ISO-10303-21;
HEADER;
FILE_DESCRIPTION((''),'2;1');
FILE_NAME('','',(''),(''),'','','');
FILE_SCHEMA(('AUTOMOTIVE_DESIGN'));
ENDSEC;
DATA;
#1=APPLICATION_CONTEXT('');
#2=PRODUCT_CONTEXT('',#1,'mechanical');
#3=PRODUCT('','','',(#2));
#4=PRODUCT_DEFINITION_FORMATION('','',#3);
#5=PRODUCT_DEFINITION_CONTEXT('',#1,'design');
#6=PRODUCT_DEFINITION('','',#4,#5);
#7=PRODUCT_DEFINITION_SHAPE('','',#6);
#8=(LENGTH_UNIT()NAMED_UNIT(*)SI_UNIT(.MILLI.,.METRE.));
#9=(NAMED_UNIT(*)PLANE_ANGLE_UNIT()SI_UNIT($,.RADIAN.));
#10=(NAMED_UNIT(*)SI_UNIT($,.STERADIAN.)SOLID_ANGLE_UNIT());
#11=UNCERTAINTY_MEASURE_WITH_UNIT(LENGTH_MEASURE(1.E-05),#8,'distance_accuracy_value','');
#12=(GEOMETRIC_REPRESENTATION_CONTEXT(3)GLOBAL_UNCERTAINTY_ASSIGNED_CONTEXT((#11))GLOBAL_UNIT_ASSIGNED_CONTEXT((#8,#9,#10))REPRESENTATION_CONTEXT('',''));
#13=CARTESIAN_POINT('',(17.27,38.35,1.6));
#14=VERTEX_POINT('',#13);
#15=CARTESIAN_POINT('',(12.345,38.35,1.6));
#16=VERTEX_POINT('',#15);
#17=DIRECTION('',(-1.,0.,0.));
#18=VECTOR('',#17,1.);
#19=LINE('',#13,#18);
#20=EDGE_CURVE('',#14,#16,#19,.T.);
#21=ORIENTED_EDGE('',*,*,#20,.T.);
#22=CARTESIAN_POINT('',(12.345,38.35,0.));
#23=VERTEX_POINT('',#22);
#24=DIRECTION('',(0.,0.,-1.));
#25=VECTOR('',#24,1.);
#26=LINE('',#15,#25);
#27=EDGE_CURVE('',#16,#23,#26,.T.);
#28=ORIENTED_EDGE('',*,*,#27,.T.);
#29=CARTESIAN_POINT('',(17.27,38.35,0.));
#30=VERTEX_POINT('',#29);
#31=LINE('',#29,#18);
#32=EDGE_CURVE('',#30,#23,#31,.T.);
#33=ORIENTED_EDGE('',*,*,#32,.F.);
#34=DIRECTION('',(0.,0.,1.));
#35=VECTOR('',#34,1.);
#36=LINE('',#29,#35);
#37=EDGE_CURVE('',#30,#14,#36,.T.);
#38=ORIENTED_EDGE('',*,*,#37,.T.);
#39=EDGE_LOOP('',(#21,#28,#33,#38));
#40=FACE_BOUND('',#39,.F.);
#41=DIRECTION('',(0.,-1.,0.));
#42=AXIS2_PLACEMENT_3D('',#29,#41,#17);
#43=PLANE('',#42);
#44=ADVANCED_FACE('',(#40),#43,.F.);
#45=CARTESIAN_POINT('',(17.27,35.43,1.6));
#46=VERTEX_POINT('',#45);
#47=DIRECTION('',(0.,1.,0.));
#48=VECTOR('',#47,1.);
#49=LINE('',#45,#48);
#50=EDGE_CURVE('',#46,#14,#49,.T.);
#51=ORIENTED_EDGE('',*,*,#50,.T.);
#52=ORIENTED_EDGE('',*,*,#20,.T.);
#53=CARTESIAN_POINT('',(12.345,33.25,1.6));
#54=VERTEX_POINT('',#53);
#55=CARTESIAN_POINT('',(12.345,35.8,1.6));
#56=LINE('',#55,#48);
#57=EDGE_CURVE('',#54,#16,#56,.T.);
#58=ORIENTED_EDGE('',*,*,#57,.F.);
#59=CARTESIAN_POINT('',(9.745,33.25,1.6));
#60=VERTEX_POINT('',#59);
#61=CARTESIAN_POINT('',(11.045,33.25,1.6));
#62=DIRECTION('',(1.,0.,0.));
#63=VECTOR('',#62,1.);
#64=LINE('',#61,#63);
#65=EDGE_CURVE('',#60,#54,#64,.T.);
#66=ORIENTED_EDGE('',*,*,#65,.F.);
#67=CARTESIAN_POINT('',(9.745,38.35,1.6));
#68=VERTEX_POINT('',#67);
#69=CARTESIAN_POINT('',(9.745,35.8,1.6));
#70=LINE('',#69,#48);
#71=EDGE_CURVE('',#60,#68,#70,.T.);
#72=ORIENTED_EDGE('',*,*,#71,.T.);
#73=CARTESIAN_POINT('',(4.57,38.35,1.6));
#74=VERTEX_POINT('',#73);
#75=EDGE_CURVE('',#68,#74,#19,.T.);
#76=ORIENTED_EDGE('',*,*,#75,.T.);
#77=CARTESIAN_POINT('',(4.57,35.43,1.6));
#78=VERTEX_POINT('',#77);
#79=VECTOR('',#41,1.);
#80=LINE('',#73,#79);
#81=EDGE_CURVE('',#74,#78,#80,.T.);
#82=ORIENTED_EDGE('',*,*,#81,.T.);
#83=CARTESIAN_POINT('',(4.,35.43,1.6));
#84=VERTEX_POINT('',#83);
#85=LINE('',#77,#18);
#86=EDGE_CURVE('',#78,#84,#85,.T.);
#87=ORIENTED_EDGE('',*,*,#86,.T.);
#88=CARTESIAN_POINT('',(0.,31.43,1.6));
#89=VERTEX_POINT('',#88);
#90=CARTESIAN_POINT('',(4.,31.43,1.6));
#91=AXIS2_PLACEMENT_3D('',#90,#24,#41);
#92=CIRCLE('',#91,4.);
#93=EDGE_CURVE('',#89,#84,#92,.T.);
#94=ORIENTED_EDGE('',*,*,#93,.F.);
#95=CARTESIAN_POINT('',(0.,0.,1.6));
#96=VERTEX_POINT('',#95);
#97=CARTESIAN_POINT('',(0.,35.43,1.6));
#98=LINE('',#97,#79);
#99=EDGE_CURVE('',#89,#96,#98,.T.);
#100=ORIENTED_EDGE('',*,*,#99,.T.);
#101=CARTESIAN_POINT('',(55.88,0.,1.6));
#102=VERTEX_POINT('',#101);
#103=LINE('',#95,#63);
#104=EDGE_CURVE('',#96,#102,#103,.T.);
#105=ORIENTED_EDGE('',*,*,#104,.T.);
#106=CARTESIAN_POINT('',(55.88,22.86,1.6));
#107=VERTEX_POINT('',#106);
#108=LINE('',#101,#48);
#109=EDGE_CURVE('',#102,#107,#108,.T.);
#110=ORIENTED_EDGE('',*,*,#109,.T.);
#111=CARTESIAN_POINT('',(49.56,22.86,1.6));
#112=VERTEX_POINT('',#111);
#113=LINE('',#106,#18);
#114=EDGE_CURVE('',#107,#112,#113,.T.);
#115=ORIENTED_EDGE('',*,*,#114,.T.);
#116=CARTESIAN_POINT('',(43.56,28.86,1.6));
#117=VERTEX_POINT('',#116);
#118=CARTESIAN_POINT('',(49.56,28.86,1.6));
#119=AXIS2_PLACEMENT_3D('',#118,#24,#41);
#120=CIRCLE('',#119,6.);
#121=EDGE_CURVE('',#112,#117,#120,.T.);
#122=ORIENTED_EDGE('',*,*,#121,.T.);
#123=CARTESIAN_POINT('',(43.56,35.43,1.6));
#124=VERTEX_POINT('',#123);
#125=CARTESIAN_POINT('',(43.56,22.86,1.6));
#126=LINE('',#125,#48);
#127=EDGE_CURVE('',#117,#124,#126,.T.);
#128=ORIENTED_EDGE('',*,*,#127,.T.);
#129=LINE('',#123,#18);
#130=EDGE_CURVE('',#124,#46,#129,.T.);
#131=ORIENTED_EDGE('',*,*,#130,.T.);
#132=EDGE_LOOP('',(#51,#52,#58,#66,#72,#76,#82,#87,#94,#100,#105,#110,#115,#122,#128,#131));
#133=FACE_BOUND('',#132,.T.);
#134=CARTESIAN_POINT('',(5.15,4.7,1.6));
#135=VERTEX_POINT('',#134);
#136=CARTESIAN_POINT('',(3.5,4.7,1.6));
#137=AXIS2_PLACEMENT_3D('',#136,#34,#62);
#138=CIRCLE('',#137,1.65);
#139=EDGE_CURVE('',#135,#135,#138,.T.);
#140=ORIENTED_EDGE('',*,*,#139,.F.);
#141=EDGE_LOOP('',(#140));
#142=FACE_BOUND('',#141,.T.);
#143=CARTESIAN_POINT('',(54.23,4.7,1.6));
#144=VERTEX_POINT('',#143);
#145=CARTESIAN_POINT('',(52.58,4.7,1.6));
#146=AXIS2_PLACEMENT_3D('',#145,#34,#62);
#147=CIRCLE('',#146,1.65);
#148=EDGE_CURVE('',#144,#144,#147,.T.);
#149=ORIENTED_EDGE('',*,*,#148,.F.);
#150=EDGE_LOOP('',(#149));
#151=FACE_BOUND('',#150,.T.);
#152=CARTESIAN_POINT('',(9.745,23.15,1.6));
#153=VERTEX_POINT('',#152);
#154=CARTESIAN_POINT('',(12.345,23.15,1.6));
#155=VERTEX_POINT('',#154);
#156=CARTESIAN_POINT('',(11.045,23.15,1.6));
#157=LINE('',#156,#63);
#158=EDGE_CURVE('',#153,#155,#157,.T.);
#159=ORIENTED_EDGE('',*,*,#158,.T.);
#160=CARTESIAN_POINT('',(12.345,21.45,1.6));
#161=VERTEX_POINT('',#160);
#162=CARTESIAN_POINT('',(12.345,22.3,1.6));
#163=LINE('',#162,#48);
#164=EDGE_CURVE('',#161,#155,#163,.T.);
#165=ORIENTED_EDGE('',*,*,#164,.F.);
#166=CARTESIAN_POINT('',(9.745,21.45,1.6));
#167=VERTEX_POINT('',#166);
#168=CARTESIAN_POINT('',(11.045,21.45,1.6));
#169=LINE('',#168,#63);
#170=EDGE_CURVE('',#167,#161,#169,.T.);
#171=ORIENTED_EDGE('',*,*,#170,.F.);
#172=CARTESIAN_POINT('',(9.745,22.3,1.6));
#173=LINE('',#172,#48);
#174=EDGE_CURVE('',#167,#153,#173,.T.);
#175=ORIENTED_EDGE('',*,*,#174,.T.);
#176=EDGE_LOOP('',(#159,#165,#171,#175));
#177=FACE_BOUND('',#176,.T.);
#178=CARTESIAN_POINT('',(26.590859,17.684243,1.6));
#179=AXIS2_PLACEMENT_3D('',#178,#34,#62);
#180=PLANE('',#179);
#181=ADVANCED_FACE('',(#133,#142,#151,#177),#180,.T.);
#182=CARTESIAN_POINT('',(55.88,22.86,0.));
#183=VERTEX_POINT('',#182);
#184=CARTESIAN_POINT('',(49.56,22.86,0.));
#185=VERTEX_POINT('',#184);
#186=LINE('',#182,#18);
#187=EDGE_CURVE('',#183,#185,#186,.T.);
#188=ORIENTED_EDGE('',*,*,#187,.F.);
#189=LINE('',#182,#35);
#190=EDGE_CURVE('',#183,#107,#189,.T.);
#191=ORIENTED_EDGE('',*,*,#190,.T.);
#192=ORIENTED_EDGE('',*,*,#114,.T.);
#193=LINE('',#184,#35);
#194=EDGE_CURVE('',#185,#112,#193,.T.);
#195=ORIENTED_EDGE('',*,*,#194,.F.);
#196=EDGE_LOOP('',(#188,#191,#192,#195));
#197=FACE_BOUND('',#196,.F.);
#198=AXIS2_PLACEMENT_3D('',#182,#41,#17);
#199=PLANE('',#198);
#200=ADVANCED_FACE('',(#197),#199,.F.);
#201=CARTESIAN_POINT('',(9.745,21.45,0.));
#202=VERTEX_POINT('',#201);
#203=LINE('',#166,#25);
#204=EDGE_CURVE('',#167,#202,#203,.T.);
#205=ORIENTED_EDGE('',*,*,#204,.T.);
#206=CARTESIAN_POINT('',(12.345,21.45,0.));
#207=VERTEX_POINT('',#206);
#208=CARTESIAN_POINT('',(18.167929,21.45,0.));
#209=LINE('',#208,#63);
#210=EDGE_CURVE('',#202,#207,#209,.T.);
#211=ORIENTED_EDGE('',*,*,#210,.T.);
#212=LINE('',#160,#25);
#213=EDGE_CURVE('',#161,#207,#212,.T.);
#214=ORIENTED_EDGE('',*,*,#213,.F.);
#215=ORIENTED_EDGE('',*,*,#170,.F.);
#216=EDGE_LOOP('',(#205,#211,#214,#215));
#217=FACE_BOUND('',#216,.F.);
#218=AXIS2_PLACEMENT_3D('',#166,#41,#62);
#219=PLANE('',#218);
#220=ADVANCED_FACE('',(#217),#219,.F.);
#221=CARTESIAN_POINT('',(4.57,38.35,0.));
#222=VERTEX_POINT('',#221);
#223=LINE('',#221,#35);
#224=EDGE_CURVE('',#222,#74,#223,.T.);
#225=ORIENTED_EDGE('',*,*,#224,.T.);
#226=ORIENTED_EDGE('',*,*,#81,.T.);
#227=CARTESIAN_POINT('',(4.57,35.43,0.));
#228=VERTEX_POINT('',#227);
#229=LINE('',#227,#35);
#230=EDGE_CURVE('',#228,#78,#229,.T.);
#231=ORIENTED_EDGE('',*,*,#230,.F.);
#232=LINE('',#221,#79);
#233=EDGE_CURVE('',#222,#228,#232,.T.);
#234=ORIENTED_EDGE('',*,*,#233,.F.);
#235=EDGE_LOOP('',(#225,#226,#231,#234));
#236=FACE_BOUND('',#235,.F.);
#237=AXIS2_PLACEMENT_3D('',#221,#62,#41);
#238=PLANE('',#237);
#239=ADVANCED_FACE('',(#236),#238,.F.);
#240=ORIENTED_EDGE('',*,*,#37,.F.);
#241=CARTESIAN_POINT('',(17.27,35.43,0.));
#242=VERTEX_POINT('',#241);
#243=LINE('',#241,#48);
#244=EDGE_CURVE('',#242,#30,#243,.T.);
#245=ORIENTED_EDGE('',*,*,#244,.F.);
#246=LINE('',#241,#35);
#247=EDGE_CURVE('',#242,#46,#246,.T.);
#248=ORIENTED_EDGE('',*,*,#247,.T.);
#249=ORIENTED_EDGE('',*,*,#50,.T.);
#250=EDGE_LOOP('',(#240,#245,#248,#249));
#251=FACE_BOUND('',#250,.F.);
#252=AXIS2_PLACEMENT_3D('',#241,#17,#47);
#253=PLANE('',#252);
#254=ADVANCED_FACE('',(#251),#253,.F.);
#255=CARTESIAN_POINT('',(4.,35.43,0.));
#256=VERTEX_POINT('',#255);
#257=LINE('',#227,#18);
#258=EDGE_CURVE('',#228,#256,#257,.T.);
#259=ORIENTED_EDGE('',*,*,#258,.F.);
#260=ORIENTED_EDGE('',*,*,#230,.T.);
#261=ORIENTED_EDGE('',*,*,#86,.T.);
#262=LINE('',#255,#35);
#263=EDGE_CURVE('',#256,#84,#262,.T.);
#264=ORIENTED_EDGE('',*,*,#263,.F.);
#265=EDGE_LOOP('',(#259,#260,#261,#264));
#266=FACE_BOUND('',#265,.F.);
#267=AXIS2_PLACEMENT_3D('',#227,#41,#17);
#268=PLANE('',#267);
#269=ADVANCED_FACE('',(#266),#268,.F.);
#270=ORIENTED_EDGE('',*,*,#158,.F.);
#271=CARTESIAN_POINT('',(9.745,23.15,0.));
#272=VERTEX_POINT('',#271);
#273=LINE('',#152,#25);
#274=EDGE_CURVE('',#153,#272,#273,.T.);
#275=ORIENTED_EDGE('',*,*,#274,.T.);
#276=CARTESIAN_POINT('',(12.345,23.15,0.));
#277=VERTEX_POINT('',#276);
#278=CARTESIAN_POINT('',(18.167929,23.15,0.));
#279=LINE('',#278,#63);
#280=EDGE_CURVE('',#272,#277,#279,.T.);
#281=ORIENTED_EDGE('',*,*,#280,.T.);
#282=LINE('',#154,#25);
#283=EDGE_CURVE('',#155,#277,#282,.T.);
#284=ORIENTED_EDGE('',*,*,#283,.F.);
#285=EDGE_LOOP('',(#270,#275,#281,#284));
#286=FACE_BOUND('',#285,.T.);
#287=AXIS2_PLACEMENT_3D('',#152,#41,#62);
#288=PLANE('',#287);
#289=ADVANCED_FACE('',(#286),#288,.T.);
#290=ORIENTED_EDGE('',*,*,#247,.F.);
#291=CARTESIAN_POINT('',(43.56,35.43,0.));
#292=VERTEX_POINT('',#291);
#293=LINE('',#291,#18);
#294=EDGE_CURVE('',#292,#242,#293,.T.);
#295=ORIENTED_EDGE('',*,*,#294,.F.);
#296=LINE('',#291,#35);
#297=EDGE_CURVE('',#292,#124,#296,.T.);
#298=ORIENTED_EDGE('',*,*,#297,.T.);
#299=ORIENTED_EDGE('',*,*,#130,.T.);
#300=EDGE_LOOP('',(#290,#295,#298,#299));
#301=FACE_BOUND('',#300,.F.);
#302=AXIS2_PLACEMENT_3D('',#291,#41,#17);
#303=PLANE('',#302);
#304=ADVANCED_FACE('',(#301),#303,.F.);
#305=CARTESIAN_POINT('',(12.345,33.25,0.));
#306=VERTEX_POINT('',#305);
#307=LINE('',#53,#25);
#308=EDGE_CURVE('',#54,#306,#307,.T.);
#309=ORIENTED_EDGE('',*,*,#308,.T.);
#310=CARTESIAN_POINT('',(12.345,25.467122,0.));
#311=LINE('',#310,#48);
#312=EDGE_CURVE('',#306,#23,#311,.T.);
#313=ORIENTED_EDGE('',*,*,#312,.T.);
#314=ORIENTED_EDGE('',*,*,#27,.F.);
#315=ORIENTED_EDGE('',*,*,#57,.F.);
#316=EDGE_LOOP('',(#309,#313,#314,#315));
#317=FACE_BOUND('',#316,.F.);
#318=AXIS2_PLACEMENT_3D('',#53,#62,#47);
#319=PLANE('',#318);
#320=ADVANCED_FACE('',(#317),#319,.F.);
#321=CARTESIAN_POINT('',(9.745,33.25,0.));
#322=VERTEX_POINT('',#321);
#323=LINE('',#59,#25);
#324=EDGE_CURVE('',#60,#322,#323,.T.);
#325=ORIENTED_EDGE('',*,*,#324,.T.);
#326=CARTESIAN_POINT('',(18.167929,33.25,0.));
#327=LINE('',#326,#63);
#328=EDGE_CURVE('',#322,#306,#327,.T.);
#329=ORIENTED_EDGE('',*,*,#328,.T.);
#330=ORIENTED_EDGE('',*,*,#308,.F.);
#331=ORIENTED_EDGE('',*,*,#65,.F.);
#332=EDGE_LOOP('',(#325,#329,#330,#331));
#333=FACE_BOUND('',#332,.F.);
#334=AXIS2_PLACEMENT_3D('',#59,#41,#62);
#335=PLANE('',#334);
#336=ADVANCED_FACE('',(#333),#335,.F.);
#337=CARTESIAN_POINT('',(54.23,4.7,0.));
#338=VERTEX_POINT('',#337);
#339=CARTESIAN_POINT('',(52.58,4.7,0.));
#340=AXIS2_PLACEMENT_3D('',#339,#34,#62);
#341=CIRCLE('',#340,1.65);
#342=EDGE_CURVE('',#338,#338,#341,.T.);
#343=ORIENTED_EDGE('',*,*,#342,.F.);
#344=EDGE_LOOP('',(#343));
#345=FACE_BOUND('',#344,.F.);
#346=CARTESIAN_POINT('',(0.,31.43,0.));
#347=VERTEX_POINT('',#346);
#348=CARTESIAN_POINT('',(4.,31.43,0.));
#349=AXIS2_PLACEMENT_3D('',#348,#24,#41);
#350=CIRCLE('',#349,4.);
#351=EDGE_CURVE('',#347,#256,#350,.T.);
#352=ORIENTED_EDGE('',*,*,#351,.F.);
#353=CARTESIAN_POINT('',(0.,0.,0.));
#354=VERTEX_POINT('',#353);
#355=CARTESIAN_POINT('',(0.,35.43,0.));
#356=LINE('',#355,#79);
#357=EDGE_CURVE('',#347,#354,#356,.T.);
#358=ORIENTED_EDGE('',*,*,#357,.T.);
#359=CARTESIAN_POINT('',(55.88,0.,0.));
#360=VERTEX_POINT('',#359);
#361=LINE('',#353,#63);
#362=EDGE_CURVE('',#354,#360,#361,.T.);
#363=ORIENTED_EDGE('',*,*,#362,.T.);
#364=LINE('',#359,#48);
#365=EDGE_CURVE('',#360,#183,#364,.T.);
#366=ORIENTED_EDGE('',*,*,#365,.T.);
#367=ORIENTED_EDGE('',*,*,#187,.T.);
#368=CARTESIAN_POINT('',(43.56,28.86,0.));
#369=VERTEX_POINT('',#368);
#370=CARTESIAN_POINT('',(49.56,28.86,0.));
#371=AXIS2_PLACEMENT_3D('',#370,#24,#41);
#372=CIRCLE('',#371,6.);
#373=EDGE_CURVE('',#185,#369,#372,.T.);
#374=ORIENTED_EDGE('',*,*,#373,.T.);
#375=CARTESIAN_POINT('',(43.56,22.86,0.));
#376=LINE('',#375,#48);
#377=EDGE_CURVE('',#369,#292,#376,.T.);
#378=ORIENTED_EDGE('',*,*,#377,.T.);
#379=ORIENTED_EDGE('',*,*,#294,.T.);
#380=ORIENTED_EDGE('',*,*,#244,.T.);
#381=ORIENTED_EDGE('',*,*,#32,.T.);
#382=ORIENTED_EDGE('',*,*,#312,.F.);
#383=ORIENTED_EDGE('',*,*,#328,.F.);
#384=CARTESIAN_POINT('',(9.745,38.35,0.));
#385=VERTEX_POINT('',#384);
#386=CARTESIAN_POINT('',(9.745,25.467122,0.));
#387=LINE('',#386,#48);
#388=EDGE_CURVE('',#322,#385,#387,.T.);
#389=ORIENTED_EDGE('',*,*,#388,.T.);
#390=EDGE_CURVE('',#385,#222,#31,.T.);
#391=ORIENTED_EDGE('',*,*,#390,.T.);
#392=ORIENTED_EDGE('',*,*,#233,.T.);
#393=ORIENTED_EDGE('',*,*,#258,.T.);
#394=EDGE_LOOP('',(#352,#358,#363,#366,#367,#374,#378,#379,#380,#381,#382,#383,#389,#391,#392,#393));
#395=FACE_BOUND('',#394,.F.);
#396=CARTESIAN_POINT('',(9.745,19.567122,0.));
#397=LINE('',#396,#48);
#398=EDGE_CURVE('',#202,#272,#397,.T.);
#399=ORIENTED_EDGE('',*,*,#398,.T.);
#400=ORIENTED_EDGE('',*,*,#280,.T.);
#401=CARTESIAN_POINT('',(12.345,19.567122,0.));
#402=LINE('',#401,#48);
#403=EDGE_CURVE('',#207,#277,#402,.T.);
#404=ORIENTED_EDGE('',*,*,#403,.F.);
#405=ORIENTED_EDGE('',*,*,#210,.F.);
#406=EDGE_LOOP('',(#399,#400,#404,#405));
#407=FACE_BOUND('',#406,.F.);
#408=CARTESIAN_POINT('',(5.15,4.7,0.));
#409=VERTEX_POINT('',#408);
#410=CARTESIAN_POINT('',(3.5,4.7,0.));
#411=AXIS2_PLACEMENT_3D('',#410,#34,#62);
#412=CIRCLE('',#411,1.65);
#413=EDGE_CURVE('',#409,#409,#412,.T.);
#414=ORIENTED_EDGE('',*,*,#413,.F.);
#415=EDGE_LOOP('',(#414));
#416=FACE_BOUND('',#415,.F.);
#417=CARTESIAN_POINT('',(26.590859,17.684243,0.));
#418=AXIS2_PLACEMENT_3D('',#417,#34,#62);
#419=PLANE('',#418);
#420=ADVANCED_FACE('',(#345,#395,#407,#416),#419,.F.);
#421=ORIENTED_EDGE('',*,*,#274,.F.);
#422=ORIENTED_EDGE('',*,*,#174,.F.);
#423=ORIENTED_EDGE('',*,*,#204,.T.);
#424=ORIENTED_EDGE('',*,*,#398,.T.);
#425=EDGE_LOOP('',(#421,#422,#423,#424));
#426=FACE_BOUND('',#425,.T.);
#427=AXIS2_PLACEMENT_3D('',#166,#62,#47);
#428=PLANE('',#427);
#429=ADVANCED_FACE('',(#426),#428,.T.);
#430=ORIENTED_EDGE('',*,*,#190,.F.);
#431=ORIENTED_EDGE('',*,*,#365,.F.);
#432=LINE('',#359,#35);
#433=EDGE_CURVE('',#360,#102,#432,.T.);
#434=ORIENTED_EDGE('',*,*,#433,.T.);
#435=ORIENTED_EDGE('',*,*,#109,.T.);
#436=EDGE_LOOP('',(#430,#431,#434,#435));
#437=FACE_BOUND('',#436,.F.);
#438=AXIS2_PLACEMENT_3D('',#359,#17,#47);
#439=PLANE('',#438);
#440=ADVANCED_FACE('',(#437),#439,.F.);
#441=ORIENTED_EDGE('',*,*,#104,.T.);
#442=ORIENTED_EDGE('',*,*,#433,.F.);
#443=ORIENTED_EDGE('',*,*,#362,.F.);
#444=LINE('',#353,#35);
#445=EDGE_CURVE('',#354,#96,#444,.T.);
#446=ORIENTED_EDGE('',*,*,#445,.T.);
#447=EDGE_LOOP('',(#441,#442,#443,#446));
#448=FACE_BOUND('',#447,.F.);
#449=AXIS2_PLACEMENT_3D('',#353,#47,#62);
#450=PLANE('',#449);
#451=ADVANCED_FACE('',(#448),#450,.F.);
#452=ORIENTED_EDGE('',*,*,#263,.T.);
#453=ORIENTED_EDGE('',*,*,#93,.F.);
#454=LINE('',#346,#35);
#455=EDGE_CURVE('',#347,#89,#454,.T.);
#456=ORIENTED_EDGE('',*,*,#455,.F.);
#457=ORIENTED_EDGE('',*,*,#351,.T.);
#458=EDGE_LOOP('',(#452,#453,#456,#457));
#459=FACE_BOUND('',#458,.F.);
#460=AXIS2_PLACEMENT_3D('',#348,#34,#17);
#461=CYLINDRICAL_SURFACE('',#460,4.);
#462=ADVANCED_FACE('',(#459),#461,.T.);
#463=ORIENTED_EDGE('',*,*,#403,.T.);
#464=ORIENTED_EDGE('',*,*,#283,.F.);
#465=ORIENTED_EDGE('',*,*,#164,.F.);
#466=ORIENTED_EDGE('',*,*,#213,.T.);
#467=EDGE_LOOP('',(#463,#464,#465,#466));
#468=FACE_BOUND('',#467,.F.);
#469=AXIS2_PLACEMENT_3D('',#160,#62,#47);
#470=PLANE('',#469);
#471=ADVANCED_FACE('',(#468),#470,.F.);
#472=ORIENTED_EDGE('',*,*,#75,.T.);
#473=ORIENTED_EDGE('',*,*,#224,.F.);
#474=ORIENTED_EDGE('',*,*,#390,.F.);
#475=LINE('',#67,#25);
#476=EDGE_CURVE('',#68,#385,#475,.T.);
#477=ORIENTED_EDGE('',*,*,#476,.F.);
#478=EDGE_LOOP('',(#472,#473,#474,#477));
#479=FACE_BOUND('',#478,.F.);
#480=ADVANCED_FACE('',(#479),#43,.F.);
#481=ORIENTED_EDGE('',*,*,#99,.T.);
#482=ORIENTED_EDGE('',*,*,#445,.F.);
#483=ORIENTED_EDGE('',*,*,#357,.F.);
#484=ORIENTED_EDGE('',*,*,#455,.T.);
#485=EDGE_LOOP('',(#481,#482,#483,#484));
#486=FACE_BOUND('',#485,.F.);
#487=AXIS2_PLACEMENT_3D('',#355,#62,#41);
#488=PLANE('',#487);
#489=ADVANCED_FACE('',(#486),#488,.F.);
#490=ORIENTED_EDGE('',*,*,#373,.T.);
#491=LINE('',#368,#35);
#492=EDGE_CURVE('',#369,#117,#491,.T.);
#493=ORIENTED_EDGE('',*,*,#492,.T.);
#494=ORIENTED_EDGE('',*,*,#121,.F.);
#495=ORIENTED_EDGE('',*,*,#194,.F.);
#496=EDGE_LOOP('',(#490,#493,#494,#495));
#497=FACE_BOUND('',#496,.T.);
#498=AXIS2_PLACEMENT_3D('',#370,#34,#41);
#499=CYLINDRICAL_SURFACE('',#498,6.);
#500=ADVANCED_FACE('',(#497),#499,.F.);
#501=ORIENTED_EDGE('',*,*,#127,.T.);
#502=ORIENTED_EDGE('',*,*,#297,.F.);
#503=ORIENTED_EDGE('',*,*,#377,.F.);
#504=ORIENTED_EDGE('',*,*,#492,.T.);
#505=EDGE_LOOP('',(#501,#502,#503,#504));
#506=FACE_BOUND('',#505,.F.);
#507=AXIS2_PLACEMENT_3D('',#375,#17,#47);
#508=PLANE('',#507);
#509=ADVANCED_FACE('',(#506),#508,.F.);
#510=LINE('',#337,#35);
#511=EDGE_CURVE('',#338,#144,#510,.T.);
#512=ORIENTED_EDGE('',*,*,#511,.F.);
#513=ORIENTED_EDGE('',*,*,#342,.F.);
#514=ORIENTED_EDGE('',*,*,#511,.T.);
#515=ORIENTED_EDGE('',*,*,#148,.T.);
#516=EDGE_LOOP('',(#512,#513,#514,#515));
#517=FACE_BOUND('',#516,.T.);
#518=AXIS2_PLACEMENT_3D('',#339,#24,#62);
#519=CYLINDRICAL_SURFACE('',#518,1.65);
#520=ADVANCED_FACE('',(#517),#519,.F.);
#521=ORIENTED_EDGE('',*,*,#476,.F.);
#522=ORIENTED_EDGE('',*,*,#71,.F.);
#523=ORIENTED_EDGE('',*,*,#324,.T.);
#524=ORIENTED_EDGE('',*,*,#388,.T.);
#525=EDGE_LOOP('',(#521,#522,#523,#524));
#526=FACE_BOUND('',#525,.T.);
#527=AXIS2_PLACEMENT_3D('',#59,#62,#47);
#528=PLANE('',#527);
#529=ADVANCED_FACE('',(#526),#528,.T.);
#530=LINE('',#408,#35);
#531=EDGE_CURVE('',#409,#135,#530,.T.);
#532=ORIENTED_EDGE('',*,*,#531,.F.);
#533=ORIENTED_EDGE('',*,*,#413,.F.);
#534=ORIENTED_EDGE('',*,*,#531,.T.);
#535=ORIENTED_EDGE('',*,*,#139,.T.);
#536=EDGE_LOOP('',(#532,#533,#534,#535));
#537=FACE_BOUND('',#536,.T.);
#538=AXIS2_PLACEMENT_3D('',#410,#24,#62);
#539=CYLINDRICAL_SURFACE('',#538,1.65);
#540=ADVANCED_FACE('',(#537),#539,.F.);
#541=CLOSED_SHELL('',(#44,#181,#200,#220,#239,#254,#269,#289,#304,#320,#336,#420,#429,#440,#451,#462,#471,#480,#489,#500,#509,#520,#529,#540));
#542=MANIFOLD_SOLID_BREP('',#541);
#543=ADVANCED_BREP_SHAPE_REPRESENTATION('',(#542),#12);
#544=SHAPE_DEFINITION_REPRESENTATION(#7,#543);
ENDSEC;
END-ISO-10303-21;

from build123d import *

# Parameters (mm, degrees)
F0_R     = 1.65
F1_DEPTH = 1.6
F2_R     = 4
F3_R     = 6
F4_W     = 2.6
F4_H     = 5.1
F4_H_2   = 1.7
F5_DEPTH = 1.601


with BuildPart() as f1:
    # F0 (on Top) → F1 (new body)
    with BuildSketch(Plane.XY):
        Polygon((0, 35.43), (0, 0), (55.88, 0), (55.88, 22.86), (43.56, 22.86), (43.56, 35.43), (17.27, 35.43), (17.27, 38.35), (4.57, 38.35), (4.57, 35.43), align=None)
        with Locations((3.5, 4.7)):
            Circle(F0_R, mode=Mode.SUBTRACT)
        with Locations((52.58, 4.7)):
            Circle(F0_R, mode=Mode.SUBTRACT)
    extrude(amount=F1_DEPTH)

    # F2
    f2_edges = [f1.edges().sort_by_distance(p)[0] for p in [
        (0, 35.43, 0.8),
    ]]
    fillet(f2_edges, radius=F2_R)

    # F3
    f3_edges = [f1.edges().sort_by_distance(p)[0] for p in [
        (43.56, 22.86, 0.8),
    ]]
    fillet(f3_edges, radius=F3_R)

    # F4 (on face) → F5 (cut, through all)
    with BuildSketch(Plane.XY.offset(1.6)):
        with Locations((11.045, 35.8)):
            Rectangle(F4_W, F4_H)
        with Locations((11.045, 22.3)):
            Rectangle(F4_W, F4_H_2)
    extrude(amount=-F5_DEPTH, mode=Mode.SUBTRACT)


solid = f1.part
